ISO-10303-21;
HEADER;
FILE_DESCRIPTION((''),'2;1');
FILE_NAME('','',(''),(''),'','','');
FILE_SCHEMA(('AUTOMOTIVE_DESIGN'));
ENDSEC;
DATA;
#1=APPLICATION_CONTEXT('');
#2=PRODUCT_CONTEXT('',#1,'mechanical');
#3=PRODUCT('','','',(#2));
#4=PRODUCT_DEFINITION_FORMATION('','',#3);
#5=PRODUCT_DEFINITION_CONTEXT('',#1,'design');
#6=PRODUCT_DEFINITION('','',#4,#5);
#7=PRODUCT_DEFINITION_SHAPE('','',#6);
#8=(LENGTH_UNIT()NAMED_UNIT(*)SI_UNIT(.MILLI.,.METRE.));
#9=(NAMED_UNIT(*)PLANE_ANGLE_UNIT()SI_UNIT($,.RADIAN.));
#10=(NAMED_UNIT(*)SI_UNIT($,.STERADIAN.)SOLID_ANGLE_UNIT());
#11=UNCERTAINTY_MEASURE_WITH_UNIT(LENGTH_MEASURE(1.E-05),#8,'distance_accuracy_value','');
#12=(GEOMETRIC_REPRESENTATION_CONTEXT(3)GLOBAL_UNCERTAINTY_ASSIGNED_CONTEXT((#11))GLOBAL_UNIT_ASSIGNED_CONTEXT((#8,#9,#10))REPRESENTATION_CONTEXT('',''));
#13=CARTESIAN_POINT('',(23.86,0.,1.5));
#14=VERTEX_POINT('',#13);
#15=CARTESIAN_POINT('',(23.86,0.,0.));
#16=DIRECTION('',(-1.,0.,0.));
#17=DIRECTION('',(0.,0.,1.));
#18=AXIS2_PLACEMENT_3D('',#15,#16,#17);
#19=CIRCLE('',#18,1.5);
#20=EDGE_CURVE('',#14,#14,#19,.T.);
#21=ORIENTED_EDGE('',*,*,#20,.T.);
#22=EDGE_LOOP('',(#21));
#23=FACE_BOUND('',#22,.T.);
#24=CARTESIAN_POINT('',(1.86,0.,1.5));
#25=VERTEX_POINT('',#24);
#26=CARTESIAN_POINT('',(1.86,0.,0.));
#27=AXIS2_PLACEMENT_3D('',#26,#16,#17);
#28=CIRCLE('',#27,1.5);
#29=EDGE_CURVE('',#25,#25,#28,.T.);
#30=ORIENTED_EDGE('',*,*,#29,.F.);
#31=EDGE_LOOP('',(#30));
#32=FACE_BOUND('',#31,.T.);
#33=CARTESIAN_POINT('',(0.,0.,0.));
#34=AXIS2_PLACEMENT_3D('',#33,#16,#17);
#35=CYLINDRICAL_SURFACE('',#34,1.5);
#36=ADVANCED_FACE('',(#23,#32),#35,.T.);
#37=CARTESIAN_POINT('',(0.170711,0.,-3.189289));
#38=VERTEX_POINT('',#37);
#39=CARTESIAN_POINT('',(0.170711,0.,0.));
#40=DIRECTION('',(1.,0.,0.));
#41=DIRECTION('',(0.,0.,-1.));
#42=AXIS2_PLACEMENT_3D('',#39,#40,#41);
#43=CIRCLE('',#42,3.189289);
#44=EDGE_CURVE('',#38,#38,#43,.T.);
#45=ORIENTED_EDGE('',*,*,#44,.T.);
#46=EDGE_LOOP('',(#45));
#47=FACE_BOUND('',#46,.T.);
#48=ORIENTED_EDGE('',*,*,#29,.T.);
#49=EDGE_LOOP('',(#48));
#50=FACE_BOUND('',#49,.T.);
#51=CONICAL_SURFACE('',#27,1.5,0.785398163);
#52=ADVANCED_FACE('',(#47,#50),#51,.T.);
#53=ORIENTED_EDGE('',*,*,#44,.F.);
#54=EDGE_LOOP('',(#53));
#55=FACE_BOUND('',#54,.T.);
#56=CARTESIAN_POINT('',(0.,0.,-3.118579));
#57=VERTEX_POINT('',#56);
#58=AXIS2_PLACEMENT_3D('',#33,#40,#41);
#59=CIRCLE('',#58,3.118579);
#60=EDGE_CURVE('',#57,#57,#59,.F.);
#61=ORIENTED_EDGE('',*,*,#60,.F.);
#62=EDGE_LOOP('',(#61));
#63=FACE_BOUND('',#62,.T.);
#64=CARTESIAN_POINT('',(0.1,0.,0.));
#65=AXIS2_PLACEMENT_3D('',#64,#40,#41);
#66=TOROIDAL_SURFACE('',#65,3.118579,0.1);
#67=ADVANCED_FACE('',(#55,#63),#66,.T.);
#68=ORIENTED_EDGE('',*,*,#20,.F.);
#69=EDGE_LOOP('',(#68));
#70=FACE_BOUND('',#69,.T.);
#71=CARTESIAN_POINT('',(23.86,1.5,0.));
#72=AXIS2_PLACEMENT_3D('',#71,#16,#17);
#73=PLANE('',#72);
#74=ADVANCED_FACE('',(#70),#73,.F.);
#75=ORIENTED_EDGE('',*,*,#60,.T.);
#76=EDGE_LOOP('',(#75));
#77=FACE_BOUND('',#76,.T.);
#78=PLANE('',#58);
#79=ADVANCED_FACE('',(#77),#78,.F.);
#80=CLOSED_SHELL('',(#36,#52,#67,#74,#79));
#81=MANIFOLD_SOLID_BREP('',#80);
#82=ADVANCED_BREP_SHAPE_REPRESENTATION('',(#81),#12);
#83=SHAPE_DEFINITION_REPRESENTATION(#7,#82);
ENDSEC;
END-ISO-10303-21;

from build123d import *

# Parameters (mm, degrees)
CONG_1_R = 0.1


with BuildPart() as part:
    # Esquisse1 → Révolution1 (revolve)
    with BuildSketch(Plane.XY, mode=Mode.PRIVATE) as r_volution1_sk:
        Polygon((0, 0), (0, 3.36), (1.86, 1.5), (23.86, 1.5), (23.86, 0), align=None)
    revolve(r_volution1_sk.sketch.rotate(Axis((0, 0, 0), (1, 0, 0)), 90), axis=Axis((0, 0, 0), (1, 0, 0)))

    # Congé1
    cong_1_edges = [part.edges().sort_by_distance(p)[0] for p in [
        (0, 0, -3.36),
    ]]
    fillet(cong_1_edges, radius=CONG_1_R)


solid = part.part
